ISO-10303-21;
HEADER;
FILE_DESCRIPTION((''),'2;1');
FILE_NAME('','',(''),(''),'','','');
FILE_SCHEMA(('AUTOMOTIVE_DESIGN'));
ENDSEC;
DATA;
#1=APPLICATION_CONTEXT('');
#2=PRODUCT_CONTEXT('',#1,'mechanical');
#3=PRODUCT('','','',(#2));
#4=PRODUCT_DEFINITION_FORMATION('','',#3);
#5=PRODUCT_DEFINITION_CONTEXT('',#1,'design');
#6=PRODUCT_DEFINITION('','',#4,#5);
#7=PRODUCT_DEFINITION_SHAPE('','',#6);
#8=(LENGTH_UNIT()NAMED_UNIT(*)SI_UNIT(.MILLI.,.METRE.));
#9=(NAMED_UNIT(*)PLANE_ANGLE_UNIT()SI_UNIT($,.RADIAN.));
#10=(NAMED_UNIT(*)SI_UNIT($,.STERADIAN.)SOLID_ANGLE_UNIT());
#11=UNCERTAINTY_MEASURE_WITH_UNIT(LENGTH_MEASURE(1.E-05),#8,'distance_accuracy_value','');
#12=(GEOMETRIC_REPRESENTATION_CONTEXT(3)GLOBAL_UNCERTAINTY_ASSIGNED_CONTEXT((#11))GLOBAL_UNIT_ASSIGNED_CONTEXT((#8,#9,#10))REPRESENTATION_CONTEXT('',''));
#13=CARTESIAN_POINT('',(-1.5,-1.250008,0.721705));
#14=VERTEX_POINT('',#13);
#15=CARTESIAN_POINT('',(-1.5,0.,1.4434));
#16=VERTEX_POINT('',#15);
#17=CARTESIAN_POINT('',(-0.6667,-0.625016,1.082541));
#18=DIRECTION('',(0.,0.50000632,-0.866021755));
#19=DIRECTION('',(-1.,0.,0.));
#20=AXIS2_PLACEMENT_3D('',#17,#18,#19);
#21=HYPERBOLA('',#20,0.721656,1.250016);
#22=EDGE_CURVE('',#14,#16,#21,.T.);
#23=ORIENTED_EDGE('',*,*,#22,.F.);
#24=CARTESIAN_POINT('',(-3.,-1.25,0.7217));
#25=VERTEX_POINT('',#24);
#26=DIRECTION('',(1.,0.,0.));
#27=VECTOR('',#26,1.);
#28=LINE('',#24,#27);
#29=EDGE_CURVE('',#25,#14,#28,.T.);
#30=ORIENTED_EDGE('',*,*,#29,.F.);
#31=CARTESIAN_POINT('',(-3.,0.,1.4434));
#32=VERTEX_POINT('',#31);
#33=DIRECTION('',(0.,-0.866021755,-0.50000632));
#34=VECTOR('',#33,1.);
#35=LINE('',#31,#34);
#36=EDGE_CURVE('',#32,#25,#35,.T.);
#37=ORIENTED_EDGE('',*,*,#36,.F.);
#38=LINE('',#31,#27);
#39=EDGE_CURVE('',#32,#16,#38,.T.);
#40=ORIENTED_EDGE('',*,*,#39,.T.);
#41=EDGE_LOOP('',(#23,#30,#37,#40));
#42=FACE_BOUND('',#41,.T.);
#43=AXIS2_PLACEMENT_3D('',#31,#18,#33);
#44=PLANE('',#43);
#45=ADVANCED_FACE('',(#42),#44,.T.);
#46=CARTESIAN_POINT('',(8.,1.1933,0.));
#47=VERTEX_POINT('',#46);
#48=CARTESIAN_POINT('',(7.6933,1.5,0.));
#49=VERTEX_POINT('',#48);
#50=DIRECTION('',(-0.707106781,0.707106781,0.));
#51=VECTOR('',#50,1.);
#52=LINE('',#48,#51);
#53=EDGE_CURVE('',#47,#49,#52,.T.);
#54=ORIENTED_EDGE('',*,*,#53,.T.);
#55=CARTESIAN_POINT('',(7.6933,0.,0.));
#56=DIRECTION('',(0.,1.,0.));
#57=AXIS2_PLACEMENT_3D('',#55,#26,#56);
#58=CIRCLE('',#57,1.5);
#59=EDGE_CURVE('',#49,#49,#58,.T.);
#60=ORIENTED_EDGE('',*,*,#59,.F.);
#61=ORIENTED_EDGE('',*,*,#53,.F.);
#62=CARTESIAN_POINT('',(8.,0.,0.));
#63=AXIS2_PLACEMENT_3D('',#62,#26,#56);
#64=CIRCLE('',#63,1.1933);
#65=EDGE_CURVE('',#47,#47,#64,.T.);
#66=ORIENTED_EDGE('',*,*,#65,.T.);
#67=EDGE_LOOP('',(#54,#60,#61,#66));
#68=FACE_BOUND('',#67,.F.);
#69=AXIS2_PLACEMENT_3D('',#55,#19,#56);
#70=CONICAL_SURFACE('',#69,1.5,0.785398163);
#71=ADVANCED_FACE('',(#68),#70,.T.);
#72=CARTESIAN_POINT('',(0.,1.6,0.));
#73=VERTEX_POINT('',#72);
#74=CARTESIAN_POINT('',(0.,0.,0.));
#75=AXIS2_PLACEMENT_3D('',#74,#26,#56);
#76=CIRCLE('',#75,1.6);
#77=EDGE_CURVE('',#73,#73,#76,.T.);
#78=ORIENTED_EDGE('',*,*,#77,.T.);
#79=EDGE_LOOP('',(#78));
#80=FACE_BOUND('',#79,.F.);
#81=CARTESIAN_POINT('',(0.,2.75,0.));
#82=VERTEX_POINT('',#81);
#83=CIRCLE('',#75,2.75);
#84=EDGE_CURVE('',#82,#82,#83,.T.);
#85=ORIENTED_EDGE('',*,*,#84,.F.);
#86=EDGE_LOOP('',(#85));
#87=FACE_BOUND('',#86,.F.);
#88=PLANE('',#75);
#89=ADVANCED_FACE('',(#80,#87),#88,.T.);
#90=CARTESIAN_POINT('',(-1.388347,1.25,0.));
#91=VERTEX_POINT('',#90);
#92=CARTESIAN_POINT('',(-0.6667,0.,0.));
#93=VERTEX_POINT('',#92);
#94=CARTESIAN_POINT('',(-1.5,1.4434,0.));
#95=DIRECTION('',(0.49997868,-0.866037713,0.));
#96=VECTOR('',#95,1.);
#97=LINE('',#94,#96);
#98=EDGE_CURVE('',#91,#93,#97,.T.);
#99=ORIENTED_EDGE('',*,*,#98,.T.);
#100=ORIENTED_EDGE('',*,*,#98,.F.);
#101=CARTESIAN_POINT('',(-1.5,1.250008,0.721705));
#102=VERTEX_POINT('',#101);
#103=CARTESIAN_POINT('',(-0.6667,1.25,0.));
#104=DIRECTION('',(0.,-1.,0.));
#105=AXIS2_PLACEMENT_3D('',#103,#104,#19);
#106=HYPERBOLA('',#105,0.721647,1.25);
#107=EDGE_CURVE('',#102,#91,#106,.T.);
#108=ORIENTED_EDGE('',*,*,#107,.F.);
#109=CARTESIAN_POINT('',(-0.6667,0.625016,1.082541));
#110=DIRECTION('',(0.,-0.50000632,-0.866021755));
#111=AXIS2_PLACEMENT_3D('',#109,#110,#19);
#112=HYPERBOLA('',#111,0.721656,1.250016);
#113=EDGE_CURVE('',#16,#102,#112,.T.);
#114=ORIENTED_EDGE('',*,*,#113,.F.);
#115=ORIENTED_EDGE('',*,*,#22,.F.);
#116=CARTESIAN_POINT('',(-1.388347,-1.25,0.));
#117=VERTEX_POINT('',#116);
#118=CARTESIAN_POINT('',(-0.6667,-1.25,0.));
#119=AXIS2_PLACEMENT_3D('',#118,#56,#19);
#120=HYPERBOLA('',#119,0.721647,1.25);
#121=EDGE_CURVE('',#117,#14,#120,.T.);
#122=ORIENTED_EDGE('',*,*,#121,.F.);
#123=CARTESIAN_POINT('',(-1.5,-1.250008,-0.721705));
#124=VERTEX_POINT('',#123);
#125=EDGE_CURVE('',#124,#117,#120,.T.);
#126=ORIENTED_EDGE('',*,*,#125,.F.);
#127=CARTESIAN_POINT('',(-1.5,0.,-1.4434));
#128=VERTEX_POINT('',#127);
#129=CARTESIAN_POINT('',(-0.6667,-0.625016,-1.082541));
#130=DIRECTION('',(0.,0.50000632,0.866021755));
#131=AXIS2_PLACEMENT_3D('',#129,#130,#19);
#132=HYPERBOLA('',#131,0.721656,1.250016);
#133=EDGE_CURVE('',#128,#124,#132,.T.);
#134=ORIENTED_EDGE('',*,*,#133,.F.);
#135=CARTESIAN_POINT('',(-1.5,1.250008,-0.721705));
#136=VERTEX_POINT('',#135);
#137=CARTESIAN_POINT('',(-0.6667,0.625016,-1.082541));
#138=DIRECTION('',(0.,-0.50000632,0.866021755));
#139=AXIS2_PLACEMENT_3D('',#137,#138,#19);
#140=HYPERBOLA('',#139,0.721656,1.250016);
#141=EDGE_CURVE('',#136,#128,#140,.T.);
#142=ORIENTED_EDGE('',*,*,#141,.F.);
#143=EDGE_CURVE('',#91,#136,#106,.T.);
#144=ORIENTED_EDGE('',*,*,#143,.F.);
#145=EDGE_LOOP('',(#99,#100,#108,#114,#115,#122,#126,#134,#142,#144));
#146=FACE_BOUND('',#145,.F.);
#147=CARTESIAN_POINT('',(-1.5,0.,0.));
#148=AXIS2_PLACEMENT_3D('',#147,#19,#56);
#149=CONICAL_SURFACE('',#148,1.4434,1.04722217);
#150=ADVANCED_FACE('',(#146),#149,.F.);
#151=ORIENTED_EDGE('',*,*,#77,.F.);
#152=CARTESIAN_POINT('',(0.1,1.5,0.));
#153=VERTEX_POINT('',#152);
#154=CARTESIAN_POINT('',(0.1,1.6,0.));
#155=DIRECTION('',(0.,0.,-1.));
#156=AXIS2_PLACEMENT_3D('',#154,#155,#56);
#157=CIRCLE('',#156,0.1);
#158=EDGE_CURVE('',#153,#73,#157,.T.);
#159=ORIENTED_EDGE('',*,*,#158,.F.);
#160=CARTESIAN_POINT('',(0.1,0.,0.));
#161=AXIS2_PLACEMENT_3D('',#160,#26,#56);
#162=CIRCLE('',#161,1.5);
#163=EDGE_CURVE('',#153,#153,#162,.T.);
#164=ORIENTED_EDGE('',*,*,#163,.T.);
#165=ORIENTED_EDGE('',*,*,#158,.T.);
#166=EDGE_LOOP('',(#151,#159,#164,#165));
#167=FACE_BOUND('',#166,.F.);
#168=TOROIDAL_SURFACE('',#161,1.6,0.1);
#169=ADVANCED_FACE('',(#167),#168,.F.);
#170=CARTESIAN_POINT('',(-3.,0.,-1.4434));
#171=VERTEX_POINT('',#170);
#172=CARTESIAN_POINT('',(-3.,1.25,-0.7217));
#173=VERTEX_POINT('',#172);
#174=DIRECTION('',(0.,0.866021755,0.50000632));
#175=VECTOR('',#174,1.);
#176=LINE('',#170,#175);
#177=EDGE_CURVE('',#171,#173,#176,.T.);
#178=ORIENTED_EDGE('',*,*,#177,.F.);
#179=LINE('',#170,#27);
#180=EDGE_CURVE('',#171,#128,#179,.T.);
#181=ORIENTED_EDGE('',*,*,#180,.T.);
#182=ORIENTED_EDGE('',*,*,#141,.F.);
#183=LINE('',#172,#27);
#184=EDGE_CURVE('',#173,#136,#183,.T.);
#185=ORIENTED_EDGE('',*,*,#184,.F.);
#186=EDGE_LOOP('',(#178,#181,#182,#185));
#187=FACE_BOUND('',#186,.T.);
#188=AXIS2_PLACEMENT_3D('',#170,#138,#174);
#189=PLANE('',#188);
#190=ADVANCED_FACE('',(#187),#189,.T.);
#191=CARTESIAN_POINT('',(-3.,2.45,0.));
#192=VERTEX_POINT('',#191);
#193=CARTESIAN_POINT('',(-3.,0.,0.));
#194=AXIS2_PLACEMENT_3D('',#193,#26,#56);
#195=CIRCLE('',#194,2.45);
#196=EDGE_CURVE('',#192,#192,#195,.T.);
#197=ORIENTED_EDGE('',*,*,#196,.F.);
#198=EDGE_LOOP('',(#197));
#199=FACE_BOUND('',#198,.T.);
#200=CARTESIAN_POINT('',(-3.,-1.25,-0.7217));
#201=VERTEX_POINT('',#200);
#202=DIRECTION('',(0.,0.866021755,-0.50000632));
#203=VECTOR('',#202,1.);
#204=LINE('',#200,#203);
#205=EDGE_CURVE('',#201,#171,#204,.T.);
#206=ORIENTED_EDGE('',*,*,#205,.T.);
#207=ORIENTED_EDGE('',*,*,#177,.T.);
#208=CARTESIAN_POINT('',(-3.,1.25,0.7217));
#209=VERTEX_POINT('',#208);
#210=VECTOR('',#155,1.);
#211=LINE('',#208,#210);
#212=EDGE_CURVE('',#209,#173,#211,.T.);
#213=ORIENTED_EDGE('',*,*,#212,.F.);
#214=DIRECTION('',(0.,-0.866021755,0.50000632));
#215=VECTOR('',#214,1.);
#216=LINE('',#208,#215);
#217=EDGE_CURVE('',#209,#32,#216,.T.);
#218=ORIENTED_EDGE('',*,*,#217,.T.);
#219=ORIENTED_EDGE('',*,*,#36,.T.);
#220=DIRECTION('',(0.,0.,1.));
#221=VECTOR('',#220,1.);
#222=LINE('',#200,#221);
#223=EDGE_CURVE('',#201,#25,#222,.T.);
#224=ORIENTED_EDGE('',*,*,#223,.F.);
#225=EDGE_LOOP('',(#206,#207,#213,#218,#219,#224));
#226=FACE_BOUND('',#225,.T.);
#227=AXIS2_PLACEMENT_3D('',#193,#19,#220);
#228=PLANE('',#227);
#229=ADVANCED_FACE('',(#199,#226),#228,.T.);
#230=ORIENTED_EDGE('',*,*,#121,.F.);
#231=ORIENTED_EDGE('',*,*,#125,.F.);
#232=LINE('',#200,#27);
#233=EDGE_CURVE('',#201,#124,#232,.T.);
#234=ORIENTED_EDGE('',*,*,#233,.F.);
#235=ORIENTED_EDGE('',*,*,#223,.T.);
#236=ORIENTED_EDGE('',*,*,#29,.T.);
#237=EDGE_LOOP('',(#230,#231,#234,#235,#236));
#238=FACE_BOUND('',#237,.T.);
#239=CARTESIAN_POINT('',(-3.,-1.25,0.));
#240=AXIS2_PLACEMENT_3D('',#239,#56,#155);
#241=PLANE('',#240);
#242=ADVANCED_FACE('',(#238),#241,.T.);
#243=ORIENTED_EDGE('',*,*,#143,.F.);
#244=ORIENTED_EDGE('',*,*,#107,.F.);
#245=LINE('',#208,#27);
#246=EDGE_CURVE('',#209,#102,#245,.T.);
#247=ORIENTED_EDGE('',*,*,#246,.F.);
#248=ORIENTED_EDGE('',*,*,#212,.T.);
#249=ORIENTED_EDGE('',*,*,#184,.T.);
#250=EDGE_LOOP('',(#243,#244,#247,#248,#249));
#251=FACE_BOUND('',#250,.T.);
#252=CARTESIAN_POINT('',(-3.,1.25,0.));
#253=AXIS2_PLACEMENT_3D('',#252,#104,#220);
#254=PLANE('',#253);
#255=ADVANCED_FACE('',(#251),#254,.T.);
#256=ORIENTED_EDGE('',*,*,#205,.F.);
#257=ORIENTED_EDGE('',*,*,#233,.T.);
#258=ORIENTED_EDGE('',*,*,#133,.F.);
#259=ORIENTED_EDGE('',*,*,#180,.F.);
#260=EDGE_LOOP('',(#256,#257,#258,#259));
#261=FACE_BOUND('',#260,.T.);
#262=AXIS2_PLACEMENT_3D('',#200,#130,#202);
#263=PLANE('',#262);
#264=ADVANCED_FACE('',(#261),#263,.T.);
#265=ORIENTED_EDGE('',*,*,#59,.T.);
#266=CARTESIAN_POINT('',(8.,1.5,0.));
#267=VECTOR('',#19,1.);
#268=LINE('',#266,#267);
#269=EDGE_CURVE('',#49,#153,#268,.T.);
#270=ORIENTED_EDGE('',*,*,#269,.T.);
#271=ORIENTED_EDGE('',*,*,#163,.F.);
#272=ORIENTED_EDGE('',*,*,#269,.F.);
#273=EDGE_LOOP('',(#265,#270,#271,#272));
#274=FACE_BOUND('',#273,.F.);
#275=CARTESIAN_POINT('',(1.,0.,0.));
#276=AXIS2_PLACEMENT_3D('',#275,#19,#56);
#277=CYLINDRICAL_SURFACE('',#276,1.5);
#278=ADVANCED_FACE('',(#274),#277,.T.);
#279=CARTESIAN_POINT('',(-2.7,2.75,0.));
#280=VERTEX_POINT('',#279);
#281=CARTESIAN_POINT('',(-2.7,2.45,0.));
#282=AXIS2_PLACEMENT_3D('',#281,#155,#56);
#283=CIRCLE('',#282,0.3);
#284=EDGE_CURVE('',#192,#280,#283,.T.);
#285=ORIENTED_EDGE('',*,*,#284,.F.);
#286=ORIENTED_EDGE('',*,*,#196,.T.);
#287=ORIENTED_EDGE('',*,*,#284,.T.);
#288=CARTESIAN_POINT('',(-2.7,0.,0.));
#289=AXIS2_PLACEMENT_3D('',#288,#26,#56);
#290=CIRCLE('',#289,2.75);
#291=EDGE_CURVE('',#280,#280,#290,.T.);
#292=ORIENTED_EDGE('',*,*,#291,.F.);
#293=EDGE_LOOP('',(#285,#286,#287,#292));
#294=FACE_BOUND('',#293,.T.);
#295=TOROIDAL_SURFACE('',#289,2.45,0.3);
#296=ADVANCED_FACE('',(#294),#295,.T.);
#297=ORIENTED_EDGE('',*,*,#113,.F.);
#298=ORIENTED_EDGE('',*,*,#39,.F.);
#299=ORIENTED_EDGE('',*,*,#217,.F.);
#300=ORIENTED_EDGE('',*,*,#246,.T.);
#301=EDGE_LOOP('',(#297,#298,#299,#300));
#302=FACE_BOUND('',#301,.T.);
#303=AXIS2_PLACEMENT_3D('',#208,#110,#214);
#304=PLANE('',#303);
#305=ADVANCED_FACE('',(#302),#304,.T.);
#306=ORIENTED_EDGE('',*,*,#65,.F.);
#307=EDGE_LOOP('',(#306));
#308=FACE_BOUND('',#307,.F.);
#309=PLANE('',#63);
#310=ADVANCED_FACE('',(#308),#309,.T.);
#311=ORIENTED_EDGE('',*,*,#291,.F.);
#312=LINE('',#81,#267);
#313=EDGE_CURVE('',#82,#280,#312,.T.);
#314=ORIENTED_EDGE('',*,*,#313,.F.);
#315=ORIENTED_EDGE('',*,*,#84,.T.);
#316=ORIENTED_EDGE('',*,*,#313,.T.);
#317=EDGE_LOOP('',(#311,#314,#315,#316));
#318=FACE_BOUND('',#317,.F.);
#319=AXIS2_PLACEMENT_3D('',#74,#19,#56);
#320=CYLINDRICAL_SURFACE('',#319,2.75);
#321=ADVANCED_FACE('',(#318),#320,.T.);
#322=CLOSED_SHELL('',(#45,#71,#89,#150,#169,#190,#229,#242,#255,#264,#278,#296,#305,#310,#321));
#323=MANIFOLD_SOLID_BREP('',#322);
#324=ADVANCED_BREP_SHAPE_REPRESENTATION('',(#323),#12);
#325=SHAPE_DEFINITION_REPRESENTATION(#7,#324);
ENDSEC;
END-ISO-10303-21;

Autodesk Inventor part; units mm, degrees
ref_plane "YZ Plane" through (0, 0, 0) normal (1, 0, 0) x (0, 1, 0)
ref_plane "XZ Plane" through (0, 0, 0) normal (0, 1, 0) x (-1, 0, 0)
sketch "Sketch1" plane through (0, 0, 0) normal (0, 0, 1) x (1, 0, 0)
  line L0 (-0.6667, 0) -> (8, 0)
  line L1 (8, 0) -> (8, 1.5)
  line L2 (8, 1.5) -> (1.3067, 1.5)
  line L3 (1.3067, 1.5) -> (1, 1.5)
  line L4 (1, 1.5) -> (0, 1.5)
  line L5 (0, 1.5) -> (0, 2.75)
  line L6 (0, 2.75) -> (-3, 2.75)
  line L7 (-3, 2.75) -> (-3, 1.4434)
  line L8 (-3, 1.4434) -> (-1.5, 1.4434)
  line L9 (-1.5, 1.4434) -> (-0.6667, 0)
  line L10 (-5.2, 0) -> (10.2, 0) projected
  line L11 (0, -0.55) -> (0, 3.3) projected
  line L12 (1.3067, 1.5) -> (0, 1.5) construction
  dimension "d0" = 6.6933
  dimension "d1" = 0.3067
  dimension "d2" = 3
  dimension "d3" = 1.5
  dimension "d4" = 60
  dimension "d5" = 3
  dimension "d6" = 3
  dimension "d7" = 2.8868
  dimension "d8" = 5.5
  dimension "d19" = 8
revolve "Body" add sketch "Sketch1" angle 360 about axis through (-0.6667, 0, 0) along (1, 0, 0)
sketch "Sketch2" plane through (-3, 0, 0) normal (-1, 0, 0) x (0, 0, 1)
  circle A0 centre (0, 0) radius 1.4434 projected
  line L0 (0, -3.85) -> (0, 3.85) projected
  line L1 (-3.85, 0) -> (3.85, 0) projected
  line L2 (1.4434, 0) -> (0.7217, -1.25)
  line L3 (0.7217, -1.25) -> (-0.7217, -1.25)
  line L4 (-0.7217, -1.25) -> (-1.4434, 0)
  line L5 (-1.4434, 0) -> (-0.7217, 1.25)
  line L6 (-0.7217, 1.25) -> (0.7217, 1.25)
  line L7 (0.7217, 1.25) -> (1.4434, 0)
extrude "Slot" add sketch "Sketch2" against normal up to next contours L7 A0 | A0 L2 | L6 L0 A0 | A0 L0 L3 | L0 L6 A0 | A0 L3 L0 | L4 A0 | A0 L5
fillet "Fillet2" radius 0.3 1 edges at (-3, -2.75, 0)
thread "Thread" size "M3x0.5" class "6g" standard "ISO Metric profile" length 6.6933
chamfer "Chamfer1" distance 0.3067 distance2 0.3067 1 edges at (8, -1.5, 0) measured on face at (8, 0.5539, 0.4443)
fillet "Fillet1" radius 0.1 1 edges at (0, -1.5, 0)
ref_plane "Work Plane1" through (30, 0, 0) normal (0, -0.5, 0.866) x (1, 0, 0)
equation "\"d0\" = GEL"
equation "\"d1\" = GAL"
equation "\"d2\" = KOH"
equation "\"d3\" = INTI"
equation "\"d5\" = GD"
equation "\"d6\" = BDM"
equation "\"d7\" = 1.1547 * SW"
equation "\"d8\" = KOD"
equation "\"d19\" = NLG"
equation "\"d16\" = RR"
equation "\"d12\" = GEL"
equation "\"d14\" = -0.5 * SPD + 0.5 * GD"
equation "\"d15\" = GUL"
equation "\"d29\" = R"
equation "\"GD\" = NND"
equation "\"NLG\" = 8"
equation "\"GEL\" = 6.69328"
equation "\"KOD\" = 5.5"
equation "\"KOH\" = 3"
equation "\"INTI\" = 1.5"
equation "\"GAL\" = 0.61345 * PTC"
equation "\"GUL\" = 0.61345 * PTC"
equation "\"BDM\" = NND"
equation "\"SW\" = 2.5"
equation "\"RR\" = 0.3"
equation "\"SPD\" = 2.38655"
equation "\"d28\" = R"
equation "\"R\" = 0.1"
equation "\"TOA\" = 30deg"
equation "\"THREADDIA\" = 3"
equation "\"KOD1\" = KOD"
equation "\"PTC\" = 0.5"
equation "\"NND\" = 3"
equation "\"E0\" = 1.155 * SW"
equation "\"GD1\" = THREADDIA - 1.2269 * PTC"
properties part number "ANSI B18.3.1M - M3x0.5 x 8, BSHCSM" material "Steel, Mild"
